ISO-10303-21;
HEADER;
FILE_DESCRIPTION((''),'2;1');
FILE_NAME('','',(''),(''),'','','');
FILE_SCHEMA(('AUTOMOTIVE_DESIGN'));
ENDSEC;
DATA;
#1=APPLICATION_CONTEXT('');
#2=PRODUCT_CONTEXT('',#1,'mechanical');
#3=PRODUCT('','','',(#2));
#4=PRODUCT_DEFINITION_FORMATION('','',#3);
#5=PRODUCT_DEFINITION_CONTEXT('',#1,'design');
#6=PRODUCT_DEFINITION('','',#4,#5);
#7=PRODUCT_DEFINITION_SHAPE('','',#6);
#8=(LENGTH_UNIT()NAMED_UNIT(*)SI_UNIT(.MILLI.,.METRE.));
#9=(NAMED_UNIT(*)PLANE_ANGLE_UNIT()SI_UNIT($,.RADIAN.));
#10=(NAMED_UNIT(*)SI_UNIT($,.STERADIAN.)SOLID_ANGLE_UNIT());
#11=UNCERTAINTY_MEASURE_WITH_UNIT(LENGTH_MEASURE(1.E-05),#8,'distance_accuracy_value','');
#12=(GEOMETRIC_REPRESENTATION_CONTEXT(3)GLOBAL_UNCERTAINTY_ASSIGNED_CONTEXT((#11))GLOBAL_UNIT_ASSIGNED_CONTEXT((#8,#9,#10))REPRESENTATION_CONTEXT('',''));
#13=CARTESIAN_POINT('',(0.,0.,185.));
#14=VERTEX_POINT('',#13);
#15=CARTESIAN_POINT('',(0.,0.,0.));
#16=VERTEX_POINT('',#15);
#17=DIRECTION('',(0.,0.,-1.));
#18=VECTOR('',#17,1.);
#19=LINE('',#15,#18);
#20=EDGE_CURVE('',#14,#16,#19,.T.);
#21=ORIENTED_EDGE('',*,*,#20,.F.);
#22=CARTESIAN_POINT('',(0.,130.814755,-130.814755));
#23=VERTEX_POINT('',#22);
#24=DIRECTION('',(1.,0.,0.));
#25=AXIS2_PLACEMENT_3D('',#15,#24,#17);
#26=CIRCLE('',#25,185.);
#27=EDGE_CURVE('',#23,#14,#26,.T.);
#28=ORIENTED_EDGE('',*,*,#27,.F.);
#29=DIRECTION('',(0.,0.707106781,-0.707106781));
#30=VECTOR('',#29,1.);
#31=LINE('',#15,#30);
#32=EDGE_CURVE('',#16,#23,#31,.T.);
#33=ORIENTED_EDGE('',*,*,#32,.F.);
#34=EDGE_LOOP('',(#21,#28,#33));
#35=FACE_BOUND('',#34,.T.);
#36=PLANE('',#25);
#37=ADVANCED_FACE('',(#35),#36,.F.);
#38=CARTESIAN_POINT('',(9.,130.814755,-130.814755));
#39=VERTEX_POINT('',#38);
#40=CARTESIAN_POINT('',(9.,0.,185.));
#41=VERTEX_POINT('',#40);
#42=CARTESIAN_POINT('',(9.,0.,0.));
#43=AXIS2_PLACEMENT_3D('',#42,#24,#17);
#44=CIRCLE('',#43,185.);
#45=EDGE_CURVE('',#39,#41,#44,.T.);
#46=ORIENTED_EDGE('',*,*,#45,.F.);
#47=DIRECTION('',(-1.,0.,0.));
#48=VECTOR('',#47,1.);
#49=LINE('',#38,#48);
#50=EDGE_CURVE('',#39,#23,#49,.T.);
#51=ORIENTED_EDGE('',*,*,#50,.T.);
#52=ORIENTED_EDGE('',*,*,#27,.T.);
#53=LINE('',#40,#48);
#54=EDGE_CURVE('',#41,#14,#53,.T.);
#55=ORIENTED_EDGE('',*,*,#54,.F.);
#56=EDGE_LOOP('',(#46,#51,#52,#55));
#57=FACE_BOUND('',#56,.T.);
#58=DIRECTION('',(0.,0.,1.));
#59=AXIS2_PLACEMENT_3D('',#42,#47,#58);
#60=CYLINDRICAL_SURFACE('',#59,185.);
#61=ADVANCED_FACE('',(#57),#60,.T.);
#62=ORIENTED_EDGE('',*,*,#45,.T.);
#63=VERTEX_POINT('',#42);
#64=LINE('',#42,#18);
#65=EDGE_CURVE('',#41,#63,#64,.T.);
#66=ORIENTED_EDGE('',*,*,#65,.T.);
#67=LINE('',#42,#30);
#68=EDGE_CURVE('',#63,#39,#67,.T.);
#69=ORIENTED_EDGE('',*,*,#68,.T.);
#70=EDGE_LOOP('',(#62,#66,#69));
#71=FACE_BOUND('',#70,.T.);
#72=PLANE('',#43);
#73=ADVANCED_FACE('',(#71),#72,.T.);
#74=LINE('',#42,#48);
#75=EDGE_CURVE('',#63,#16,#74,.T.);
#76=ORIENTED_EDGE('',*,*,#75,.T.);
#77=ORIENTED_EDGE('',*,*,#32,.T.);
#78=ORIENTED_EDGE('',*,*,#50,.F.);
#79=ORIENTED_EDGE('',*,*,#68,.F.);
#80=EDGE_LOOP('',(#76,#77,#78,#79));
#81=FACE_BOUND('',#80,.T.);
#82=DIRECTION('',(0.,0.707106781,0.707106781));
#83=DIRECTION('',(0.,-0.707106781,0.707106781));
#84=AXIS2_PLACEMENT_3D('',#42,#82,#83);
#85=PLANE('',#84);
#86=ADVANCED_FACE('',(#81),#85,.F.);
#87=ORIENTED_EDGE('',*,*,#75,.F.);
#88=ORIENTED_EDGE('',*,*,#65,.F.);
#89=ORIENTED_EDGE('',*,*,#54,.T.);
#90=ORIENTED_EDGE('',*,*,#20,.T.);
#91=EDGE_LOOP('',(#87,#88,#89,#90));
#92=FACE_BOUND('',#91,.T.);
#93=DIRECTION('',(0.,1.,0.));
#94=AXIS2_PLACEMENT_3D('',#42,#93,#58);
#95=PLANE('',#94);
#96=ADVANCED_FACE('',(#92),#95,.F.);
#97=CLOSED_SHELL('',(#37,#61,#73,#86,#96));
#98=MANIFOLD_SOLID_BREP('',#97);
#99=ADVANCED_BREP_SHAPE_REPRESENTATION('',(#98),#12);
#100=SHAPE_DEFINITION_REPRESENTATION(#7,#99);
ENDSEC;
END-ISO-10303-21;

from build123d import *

# Parameters (mm, degrees)
EXTRUDE_1_DEPTH = 9


with BuildPart() as part:
    # 草图2 → 凸台-拉伸1 (new body)
    with BuildSketch(Plane(origin=(0, 0, 0), x_dir=(0, 0, -1), z_dir=(1, 0, 0))):
        with BuildLine():
            Line((0, 0), (-185, 0))
            ThreePointArc((-185, 0), (-70.796434988, 170.917713515), (130.81475452, 130.81475452))
            Line((130.81475452, 130.81475452), (0, 0))
        make_face()
    extrude(amount=EXTRUDE_1_DEPTH)


solid = part.part
